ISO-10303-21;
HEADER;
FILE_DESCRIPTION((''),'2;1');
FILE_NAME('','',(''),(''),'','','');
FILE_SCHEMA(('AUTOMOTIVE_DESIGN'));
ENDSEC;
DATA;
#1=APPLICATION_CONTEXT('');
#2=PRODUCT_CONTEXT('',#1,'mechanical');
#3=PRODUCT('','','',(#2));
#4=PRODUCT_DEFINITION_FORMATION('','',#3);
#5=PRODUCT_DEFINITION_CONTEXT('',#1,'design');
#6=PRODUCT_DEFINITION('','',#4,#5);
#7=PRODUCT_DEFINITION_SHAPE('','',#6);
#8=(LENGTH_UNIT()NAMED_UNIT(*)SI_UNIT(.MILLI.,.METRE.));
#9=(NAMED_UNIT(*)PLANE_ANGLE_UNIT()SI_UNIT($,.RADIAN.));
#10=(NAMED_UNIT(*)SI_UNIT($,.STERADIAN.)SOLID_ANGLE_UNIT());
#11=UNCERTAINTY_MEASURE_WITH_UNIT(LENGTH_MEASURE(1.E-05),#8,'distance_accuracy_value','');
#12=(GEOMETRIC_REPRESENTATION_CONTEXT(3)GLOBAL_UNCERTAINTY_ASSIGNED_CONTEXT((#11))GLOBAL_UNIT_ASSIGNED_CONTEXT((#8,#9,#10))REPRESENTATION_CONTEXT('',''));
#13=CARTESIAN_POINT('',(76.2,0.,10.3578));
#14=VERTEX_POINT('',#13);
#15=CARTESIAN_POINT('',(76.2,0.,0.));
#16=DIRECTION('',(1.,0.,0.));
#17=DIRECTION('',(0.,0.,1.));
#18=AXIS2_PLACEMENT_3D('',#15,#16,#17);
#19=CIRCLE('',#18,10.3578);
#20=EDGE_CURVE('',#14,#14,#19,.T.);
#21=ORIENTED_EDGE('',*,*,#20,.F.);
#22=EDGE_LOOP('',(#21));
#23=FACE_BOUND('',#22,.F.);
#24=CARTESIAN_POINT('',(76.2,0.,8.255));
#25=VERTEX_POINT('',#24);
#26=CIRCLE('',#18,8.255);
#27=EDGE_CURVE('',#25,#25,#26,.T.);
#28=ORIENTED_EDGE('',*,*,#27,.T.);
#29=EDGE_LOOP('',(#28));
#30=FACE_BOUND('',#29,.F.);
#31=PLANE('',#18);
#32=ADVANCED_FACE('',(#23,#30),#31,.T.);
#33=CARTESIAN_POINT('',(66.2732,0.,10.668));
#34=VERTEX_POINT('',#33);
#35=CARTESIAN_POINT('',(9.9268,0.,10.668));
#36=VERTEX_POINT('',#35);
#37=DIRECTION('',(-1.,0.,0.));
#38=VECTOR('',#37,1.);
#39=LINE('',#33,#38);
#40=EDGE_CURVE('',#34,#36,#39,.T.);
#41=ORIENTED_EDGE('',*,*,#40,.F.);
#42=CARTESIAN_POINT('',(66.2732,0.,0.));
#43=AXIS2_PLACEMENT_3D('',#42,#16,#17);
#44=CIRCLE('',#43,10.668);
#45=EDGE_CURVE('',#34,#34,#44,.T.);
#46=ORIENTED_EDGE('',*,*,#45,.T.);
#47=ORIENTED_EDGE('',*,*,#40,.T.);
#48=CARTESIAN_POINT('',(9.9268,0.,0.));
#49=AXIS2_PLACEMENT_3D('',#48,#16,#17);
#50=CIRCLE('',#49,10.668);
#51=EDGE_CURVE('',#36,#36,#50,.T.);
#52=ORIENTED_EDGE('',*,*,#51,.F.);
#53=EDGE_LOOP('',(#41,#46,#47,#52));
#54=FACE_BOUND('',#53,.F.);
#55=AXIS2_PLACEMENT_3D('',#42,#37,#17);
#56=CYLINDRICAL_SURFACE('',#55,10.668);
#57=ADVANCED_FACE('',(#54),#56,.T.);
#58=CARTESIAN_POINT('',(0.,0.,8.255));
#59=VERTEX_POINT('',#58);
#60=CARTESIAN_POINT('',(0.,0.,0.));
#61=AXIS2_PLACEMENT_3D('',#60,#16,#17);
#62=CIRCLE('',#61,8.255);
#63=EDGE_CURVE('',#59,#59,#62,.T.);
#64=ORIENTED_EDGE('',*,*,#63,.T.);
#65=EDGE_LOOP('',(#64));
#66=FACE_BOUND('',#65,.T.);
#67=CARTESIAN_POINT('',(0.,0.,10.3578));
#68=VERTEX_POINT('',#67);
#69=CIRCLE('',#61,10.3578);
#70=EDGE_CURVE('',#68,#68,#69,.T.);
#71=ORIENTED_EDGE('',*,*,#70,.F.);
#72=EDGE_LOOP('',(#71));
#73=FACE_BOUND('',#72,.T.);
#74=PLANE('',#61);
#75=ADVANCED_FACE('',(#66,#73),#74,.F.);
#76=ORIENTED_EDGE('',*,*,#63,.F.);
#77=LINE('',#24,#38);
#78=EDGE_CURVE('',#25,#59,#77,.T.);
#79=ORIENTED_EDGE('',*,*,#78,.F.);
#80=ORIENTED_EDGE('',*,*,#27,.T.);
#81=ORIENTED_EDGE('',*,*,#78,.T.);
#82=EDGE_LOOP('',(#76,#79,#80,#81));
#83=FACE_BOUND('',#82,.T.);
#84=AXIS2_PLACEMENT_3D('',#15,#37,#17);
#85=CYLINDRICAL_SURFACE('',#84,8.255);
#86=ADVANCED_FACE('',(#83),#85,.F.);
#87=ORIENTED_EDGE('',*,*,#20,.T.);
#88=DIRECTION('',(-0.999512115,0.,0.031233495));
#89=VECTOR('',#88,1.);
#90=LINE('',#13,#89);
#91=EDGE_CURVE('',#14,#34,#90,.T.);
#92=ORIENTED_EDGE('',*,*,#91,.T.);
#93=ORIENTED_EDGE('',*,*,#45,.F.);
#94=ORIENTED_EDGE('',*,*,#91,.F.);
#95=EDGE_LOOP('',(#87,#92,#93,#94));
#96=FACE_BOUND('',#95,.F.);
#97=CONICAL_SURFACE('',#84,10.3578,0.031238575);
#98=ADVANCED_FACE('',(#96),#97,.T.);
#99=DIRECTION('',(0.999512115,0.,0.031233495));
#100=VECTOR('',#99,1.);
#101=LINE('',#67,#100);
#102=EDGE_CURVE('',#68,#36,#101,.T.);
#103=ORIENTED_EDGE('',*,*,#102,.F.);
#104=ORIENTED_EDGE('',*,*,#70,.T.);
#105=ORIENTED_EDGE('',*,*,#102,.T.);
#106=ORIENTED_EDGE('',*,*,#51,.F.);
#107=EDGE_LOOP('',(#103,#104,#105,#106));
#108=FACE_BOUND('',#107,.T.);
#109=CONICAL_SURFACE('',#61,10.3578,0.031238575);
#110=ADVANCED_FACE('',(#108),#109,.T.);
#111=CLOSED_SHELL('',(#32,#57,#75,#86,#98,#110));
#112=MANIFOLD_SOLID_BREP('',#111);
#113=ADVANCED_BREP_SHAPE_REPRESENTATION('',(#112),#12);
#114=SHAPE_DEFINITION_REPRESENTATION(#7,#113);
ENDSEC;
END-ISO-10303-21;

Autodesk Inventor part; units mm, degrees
ref_plane "YZ Plane" through (0, 0, 0) normal (1, 0, 0) x (0, 1, 0)
ref_plane "XZ Plane" through (0, 0, 0) normal (0, 1, 0) x (-1, 0, 0)
ref_plane "XY Plane" through (0, 0, 0) normal (0, 0, 1) x (1, 0, 0)
sketch "Sketch1" plane through (0, 0, 0) normal (0, 1, 0) x (-1, 0, 0)
  line L0 (0, 0) -> (-76.2, 0)
  line L1 (-76.2, 0) -> (-76.2, 8.255) construction
  line L2 (-76.2, 8.255) -> (-76.2, 10.3578)
  line L3 (-76.2, 10.3578) -> (-66.2732, 10.668)
  line L4 (-66.2732, 10.668) -> (-9.9268, 10.668)
  line L5 (-38.1, 0) -> (-38.1, 10.668) construction
  line L6 (-76.2, 8.255) -> (0, 8.255)
  line L7 (0, 0) -> (0, 8.255) construction
  line L8 (0, 8.255) -> (0, 10.3578)
  line L9 (0, 10.3578) -> (-9.9268, 10.668)
  line L10 (-62.644, 10.7814) -> (-62.644, 0) construction
  line L11 (-13.556, 10.7814) -> (-13.556, 0) construction
  line L12 (-66.2732, 10.668) -> (-62.644, 10.7814) construction
  line L13 (-66.2732, 10.668) -> (-66.2732, 0) construction
  line L14 (-9.9268, 10.668) -> (-13.556, 10.7814) construction
  line L15 (-9.9268, 10.668) -> (-9.9268, 0) construction
  dimension "d0" = 21.336
  dimension "d1" = 1.79
  dimension "d2" = 16.51
  dimension "d3" = 76.2
  dimension "d4" = 13.556
  dimension "d5" = 21.5628
revolve "Revolution1" add sketch "Sketch1" angle 360 about axis through (0, 0, 0) along (1, 0, 0)
thread "Thread1" size "1/2" designation "1/2 - 14 NPT" standard "NPT" full length
thread "Thread2" size "1/2" designation "1/2 - 14 NPT" standard "NPT" full length
equation "\"d0\" = OD"
equation "\"d2\" = ID"
equation "\"d3\" = L"
equation "\"d4\" = L2"
equation "\"d5\" = D2"
equation "\"OD\" = 21.336"
equation "\"t\" = 2.413"
equation "\"L\" = PL"
equation "\"L4\" = 19.8501"
equation "\"ID\" = 16.51"
equation "\"PL\" = 76.2"
equation "\"D2\" = 21.56282"
equation "\"L2\" = 13.55598"
equation "\"Size_Designation\" = 1.2345"
equation "\"PLmin\" = 2 * L2"
properties material "Steel, Wrought"
